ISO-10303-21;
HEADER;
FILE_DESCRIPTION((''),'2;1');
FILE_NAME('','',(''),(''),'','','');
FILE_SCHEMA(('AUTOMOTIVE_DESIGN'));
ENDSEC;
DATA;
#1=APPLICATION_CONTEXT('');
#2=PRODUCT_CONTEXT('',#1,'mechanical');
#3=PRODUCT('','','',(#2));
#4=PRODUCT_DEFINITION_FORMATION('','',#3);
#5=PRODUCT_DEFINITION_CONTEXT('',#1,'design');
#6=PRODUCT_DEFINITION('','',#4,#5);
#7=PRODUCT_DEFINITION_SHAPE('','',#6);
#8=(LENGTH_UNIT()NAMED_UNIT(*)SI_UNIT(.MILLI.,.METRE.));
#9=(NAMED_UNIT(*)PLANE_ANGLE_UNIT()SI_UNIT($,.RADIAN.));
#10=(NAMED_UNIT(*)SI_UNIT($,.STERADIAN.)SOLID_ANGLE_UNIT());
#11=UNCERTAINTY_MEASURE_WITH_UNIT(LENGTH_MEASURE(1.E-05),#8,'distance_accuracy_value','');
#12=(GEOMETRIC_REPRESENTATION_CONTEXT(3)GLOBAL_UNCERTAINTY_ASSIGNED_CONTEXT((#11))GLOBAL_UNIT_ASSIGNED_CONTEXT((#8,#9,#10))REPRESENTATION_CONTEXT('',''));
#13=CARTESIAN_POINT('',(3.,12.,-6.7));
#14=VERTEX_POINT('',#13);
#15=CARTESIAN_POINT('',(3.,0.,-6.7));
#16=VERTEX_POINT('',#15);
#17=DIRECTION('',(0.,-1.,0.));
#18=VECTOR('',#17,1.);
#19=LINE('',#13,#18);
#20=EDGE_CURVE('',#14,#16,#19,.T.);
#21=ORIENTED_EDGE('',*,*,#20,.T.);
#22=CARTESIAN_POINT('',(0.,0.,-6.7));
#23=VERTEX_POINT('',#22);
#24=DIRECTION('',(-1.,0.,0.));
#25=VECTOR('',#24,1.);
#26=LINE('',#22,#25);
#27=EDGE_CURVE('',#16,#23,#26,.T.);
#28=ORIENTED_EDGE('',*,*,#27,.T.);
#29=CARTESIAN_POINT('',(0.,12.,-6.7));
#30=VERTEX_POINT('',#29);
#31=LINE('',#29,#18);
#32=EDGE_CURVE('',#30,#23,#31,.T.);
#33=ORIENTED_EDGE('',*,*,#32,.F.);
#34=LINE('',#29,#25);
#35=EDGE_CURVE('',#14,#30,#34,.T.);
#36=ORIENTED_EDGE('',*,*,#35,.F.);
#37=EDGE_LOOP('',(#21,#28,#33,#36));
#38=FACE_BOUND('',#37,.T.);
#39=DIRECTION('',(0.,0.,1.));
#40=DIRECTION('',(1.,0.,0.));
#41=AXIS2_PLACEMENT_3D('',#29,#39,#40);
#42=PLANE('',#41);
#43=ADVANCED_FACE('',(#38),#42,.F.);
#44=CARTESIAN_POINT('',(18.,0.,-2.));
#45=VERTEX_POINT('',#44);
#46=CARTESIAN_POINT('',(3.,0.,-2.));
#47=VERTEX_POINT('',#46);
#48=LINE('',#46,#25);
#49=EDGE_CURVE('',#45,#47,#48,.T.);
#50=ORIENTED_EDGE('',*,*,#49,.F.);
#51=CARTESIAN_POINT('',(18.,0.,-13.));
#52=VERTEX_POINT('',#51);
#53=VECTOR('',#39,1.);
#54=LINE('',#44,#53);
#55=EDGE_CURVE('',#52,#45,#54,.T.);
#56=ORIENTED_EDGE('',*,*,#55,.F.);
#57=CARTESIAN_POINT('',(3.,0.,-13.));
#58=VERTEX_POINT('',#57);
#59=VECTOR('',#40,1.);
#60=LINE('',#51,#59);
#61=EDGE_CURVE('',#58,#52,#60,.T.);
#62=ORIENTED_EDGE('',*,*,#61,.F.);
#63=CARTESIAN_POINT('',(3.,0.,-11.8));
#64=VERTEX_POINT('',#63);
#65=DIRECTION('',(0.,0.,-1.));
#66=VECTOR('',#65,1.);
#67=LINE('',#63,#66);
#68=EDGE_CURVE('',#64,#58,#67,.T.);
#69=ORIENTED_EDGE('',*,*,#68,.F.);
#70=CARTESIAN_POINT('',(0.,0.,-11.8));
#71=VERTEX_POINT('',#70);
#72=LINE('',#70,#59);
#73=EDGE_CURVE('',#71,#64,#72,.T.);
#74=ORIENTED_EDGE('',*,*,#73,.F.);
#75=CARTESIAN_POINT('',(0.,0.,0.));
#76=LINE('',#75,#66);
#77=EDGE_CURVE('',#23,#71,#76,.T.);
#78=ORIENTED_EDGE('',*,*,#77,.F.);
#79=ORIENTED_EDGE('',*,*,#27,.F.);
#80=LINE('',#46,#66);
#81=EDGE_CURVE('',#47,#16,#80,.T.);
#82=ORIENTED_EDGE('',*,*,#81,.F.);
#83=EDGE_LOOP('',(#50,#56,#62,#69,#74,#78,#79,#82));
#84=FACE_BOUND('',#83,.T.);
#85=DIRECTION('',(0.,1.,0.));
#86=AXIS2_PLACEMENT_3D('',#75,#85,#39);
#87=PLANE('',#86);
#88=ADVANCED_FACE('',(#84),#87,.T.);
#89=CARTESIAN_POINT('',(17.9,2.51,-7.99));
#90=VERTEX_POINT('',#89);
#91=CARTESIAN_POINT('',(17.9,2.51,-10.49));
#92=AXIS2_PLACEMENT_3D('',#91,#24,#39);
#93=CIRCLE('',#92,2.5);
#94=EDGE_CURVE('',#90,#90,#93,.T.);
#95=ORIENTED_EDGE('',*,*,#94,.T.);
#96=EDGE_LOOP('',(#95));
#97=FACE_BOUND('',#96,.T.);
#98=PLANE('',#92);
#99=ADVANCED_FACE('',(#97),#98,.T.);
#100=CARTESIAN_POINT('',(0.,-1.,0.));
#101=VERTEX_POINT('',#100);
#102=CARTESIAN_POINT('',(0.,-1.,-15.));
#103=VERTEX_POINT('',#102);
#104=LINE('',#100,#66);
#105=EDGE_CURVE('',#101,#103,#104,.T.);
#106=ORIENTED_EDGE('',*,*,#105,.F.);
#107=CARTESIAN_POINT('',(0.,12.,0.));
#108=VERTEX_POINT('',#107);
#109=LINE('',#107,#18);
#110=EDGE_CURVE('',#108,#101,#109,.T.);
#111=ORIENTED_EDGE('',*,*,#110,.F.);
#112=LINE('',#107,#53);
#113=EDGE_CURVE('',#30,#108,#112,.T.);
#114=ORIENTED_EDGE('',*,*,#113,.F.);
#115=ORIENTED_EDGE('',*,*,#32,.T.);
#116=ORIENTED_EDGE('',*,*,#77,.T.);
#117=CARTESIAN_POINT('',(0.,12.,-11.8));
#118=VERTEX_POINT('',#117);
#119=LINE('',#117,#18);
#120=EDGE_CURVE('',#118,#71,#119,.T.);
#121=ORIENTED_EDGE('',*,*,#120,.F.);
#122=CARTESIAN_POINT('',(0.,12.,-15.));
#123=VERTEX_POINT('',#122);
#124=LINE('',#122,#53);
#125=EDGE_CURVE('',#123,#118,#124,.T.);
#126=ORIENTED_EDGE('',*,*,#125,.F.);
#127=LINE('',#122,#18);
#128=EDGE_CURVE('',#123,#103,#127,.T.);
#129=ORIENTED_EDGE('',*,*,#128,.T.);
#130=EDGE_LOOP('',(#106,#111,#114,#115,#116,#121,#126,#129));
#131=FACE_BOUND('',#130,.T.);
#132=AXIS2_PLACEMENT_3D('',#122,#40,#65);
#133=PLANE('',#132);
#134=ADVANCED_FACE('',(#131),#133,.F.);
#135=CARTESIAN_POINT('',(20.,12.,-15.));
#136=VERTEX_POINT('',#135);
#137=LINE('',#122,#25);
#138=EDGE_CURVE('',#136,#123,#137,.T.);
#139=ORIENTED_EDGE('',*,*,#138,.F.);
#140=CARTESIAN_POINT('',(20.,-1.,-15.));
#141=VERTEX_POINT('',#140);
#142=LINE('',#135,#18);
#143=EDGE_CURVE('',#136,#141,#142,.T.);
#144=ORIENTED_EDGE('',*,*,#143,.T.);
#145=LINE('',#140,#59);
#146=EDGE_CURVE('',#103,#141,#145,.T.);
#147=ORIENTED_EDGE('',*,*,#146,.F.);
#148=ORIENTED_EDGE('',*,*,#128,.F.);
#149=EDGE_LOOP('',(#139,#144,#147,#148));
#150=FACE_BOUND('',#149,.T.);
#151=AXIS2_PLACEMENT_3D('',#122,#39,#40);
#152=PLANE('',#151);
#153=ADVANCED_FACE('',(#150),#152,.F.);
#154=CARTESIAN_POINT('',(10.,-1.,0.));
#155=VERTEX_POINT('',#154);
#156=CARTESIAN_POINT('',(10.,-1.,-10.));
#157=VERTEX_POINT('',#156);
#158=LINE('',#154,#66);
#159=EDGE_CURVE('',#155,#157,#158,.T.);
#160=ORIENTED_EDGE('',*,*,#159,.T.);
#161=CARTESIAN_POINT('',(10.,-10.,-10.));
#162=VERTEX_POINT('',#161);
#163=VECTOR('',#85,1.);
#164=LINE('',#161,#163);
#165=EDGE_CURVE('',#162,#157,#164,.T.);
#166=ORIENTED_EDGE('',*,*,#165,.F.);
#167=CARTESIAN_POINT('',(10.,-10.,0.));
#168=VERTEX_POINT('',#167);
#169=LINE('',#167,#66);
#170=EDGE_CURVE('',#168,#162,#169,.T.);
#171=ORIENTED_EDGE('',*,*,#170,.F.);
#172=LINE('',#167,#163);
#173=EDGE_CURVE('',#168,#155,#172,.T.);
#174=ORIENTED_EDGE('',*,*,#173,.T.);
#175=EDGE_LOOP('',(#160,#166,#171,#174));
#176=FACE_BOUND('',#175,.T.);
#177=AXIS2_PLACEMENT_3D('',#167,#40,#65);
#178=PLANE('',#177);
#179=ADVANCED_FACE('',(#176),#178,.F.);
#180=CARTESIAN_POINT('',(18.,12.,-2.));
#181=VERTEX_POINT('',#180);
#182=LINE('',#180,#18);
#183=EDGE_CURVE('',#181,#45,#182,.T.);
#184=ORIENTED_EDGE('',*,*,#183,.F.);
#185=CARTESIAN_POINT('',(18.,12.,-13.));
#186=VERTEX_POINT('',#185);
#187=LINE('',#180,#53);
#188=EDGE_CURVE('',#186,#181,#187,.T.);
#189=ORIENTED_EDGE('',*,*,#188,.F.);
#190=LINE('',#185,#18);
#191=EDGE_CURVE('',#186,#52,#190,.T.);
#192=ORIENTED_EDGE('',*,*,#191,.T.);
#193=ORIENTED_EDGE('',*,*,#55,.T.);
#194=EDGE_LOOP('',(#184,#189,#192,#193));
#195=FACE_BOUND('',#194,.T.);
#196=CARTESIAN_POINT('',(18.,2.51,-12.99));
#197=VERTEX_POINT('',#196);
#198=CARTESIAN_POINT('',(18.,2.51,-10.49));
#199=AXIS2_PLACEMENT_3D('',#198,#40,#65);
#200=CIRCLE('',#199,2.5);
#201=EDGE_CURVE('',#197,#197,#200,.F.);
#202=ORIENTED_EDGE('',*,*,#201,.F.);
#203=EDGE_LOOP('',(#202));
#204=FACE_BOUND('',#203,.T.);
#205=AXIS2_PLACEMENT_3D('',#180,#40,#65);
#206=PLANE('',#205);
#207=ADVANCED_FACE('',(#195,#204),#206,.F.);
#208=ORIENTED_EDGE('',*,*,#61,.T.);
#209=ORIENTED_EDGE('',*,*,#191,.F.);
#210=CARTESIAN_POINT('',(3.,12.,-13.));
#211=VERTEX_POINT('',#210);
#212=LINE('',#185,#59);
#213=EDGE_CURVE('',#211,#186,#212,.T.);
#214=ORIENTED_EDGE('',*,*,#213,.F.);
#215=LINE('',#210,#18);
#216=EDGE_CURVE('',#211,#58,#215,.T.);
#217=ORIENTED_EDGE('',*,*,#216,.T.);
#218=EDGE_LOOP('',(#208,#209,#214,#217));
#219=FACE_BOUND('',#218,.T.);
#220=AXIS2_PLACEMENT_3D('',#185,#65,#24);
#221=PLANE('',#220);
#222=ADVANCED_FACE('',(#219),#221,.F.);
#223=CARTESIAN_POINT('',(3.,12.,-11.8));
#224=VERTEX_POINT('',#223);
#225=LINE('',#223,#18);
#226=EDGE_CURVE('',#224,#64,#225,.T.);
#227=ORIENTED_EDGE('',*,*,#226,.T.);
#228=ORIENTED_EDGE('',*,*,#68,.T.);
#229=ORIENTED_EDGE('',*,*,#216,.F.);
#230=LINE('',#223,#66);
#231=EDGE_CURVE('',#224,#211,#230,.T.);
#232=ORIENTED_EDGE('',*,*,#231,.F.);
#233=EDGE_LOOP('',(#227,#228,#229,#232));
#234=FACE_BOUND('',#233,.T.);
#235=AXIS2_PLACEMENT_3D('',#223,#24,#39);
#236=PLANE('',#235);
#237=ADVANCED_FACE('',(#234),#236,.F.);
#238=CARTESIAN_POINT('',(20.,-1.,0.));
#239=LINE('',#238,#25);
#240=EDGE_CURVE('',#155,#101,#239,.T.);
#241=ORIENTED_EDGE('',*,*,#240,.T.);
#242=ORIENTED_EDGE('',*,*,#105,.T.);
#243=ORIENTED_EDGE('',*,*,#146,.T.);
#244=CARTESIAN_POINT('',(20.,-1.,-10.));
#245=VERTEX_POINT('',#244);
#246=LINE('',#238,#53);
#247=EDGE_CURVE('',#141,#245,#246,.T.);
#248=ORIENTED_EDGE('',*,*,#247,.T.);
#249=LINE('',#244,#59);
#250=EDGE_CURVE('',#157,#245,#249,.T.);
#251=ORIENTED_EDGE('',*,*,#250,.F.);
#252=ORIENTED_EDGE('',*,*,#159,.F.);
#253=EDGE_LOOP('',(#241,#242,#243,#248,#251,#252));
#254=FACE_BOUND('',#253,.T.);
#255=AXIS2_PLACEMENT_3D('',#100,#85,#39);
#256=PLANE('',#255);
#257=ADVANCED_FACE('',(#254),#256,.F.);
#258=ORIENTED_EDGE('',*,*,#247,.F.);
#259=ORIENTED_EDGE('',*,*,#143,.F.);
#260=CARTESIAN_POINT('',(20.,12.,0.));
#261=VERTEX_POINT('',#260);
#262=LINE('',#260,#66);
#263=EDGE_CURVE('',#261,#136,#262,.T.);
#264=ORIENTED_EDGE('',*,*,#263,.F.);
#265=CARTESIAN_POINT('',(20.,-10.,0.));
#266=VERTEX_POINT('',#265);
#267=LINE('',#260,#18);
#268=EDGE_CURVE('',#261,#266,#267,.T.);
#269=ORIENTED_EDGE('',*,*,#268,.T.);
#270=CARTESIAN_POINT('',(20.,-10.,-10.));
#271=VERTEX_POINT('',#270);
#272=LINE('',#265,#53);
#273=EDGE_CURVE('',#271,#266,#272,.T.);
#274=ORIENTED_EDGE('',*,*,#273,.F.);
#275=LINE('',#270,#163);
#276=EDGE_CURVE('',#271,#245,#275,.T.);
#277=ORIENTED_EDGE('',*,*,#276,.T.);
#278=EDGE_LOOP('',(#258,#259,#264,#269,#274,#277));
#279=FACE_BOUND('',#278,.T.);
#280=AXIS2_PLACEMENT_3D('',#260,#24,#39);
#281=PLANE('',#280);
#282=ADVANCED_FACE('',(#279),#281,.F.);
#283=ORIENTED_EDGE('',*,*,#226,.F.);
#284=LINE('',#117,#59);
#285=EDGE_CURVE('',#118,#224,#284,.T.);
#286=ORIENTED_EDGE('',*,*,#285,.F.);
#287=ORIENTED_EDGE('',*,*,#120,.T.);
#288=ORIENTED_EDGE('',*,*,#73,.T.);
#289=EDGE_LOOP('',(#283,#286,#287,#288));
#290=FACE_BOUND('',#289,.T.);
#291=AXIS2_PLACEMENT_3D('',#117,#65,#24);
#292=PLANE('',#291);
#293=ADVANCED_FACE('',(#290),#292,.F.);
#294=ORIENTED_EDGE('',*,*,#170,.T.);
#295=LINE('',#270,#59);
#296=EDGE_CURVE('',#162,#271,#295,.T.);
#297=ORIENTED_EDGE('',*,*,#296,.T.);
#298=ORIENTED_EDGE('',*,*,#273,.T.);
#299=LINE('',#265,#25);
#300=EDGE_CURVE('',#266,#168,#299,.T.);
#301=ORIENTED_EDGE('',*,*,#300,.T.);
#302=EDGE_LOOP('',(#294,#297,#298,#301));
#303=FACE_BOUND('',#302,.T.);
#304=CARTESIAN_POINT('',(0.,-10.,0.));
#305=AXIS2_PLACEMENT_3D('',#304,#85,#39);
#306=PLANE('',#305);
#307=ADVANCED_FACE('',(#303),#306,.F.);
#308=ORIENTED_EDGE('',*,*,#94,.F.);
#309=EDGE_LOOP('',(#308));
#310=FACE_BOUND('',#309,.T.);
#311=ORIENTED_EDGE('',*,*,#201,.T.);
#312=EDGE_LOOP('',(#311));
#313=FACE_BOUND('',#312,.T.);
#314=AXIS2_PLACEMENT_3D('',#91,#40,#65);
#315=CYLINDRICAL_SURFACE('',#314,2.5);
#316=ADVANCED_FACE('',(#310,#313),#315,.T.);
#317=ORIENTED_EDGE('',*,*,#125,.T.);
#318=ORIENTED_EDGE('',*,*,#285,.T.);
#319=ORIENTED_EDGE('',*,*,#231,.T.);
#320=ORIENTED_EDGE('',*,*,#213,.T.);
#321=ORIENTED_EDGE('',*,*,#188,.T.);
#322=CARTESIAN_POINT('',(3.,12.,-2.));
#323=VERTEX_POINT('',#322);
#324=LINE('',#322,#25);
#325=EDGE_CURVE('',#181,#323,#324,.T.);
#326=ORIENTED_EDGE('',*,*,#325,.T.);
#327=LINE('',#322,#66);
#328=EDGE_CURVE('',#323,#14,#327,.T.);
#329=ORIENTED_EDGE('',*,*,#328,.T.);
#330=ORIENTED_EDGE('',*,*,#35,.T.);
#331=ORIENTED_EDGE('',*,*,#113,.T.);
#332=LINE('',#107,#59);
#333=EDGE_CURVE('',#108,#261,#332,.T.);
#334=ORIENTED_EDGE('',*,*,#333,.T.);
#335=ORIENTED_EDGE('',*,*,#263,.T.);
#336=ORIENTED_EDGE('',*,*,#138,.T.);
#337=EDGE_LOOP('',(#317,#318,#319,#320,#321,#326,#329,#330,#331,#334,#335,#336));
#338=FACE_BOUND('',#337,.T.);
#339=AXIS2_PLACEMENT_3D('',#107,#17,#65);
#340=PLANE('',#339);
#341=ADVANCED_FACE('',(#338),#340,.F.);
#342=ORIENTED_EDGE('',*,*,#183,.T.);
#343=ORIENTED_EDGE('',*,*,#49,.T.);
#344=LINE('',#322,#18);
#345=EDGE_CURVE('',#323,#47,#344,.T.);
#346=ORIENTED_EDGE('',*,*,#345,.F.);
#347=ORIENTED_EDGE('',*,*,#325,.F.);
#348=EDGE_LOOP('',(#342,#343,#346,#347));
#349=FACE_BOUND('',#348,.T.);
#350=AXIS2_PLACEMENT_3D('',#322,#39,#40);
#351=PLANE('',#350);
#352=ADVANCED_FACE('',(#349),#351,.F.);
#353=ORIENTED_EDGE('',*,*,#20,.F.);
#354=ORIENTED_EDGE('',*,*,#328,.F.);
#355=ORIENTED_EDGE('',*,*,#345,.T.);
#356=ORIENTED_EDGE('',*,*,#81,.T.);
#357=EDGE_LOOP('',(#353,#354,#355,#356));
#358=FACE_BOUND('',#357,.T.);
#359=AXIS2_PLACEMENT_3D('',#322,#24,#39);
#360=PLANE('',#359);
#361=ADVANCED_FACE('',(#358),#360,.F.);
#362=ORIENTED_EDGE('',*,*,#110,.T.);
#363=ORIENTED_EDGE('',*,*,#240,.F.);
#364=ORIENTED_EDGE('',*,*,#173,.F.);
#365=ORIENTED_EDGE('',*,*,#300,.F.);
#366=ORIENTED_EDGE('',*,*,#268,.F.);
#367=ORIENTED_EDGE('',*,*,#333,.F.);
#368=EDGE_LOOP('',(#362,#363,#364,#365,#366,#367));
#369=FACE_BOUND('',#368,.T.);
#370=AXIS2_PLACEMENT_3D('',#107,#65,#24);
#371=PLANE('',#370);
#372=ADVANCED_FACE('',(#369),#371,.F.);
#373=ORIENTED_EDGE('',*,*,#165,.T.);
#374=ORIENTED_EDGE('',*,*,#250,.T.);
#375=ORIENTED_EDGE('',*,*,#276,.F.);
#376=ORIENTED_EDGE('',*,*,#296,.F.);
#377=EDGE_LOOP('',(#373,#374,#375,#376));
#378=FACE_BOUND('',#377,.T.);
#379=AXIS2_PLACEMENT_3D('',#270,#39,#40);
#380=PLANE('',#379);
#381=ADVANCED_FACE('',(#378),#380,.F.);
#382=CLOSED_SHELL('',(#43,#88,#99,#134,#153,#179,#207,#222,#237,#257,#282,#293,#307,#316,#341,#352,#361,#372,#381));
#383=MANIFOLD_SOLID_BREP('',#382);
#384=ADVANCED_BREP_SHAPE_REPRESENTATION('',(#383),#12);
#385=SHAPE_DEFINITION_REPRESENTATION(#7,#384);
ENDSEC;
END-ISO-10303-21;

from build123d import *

# Parameters (mm, degrees)
BOSS_EXTRUDE1_DEPTH = 12
SKETCH3_W           = 20
SKETCH3_H           = 15
BOSS_EXTRUDE2_DEPTH = 1
SKETCH4_W           = 10
SKETCH4_H           = 10
BOSS_EXTRUDE3_DEPTH = 9
SKETCH5_R           = 2.5
BOSS_EXTRUDE7_DEPTH = 0.1


with BuildPart() as part:
    # Sketch1 → Boss-Extrude1 (new body)
    with BuildSketch(Plane(origin=(0, 0, 0), x_dir=(1, 0, 0), z_dir=(0, 1, 0))):
        Polygon((3, 2), (18, 2), (18, 13), (3, 13), (3, 11.8), (0, 11.8), (0, 15), (20, 15), (20, 0), (0, 0), (0, 6.7), (3, 6.7), align=None)
    extrude(amount=BOSS_EXTRUDE1_DEPTH)

    # Sketch3 → Boss-Extrude2 (add)
    with BuildSketch(Plane.XZ):
        with Locations((10, -7.5)):
            Rectangle(SKETCH3_W, SKETCH3_H)
    extrude(amount=BOSS_EXTRUDE2_DEPTH)

    # Sketch4 → Boss-Extrude3 (add)
    with BuildSketch(Plane.XZ.offset(1)):
        with Locations((15, -5)):
            Rectangle(SKETCH4_W, SKETCH4_H)
    extrude(amount=BOSS_EXTRUDE3_DEPTH)

    # Sketch5 → Boss-Extrude7 (add)
    with BuildSketch(Plane.ZY.offset(-18)):
        with Locations(Location((-10.49, 2.51, 0), (0, 0, 180))):
            Circle(SKETCH5_R)
    extrude(amount=BOSS_EXTRUDE7_DEPTH)


solid = part.part
